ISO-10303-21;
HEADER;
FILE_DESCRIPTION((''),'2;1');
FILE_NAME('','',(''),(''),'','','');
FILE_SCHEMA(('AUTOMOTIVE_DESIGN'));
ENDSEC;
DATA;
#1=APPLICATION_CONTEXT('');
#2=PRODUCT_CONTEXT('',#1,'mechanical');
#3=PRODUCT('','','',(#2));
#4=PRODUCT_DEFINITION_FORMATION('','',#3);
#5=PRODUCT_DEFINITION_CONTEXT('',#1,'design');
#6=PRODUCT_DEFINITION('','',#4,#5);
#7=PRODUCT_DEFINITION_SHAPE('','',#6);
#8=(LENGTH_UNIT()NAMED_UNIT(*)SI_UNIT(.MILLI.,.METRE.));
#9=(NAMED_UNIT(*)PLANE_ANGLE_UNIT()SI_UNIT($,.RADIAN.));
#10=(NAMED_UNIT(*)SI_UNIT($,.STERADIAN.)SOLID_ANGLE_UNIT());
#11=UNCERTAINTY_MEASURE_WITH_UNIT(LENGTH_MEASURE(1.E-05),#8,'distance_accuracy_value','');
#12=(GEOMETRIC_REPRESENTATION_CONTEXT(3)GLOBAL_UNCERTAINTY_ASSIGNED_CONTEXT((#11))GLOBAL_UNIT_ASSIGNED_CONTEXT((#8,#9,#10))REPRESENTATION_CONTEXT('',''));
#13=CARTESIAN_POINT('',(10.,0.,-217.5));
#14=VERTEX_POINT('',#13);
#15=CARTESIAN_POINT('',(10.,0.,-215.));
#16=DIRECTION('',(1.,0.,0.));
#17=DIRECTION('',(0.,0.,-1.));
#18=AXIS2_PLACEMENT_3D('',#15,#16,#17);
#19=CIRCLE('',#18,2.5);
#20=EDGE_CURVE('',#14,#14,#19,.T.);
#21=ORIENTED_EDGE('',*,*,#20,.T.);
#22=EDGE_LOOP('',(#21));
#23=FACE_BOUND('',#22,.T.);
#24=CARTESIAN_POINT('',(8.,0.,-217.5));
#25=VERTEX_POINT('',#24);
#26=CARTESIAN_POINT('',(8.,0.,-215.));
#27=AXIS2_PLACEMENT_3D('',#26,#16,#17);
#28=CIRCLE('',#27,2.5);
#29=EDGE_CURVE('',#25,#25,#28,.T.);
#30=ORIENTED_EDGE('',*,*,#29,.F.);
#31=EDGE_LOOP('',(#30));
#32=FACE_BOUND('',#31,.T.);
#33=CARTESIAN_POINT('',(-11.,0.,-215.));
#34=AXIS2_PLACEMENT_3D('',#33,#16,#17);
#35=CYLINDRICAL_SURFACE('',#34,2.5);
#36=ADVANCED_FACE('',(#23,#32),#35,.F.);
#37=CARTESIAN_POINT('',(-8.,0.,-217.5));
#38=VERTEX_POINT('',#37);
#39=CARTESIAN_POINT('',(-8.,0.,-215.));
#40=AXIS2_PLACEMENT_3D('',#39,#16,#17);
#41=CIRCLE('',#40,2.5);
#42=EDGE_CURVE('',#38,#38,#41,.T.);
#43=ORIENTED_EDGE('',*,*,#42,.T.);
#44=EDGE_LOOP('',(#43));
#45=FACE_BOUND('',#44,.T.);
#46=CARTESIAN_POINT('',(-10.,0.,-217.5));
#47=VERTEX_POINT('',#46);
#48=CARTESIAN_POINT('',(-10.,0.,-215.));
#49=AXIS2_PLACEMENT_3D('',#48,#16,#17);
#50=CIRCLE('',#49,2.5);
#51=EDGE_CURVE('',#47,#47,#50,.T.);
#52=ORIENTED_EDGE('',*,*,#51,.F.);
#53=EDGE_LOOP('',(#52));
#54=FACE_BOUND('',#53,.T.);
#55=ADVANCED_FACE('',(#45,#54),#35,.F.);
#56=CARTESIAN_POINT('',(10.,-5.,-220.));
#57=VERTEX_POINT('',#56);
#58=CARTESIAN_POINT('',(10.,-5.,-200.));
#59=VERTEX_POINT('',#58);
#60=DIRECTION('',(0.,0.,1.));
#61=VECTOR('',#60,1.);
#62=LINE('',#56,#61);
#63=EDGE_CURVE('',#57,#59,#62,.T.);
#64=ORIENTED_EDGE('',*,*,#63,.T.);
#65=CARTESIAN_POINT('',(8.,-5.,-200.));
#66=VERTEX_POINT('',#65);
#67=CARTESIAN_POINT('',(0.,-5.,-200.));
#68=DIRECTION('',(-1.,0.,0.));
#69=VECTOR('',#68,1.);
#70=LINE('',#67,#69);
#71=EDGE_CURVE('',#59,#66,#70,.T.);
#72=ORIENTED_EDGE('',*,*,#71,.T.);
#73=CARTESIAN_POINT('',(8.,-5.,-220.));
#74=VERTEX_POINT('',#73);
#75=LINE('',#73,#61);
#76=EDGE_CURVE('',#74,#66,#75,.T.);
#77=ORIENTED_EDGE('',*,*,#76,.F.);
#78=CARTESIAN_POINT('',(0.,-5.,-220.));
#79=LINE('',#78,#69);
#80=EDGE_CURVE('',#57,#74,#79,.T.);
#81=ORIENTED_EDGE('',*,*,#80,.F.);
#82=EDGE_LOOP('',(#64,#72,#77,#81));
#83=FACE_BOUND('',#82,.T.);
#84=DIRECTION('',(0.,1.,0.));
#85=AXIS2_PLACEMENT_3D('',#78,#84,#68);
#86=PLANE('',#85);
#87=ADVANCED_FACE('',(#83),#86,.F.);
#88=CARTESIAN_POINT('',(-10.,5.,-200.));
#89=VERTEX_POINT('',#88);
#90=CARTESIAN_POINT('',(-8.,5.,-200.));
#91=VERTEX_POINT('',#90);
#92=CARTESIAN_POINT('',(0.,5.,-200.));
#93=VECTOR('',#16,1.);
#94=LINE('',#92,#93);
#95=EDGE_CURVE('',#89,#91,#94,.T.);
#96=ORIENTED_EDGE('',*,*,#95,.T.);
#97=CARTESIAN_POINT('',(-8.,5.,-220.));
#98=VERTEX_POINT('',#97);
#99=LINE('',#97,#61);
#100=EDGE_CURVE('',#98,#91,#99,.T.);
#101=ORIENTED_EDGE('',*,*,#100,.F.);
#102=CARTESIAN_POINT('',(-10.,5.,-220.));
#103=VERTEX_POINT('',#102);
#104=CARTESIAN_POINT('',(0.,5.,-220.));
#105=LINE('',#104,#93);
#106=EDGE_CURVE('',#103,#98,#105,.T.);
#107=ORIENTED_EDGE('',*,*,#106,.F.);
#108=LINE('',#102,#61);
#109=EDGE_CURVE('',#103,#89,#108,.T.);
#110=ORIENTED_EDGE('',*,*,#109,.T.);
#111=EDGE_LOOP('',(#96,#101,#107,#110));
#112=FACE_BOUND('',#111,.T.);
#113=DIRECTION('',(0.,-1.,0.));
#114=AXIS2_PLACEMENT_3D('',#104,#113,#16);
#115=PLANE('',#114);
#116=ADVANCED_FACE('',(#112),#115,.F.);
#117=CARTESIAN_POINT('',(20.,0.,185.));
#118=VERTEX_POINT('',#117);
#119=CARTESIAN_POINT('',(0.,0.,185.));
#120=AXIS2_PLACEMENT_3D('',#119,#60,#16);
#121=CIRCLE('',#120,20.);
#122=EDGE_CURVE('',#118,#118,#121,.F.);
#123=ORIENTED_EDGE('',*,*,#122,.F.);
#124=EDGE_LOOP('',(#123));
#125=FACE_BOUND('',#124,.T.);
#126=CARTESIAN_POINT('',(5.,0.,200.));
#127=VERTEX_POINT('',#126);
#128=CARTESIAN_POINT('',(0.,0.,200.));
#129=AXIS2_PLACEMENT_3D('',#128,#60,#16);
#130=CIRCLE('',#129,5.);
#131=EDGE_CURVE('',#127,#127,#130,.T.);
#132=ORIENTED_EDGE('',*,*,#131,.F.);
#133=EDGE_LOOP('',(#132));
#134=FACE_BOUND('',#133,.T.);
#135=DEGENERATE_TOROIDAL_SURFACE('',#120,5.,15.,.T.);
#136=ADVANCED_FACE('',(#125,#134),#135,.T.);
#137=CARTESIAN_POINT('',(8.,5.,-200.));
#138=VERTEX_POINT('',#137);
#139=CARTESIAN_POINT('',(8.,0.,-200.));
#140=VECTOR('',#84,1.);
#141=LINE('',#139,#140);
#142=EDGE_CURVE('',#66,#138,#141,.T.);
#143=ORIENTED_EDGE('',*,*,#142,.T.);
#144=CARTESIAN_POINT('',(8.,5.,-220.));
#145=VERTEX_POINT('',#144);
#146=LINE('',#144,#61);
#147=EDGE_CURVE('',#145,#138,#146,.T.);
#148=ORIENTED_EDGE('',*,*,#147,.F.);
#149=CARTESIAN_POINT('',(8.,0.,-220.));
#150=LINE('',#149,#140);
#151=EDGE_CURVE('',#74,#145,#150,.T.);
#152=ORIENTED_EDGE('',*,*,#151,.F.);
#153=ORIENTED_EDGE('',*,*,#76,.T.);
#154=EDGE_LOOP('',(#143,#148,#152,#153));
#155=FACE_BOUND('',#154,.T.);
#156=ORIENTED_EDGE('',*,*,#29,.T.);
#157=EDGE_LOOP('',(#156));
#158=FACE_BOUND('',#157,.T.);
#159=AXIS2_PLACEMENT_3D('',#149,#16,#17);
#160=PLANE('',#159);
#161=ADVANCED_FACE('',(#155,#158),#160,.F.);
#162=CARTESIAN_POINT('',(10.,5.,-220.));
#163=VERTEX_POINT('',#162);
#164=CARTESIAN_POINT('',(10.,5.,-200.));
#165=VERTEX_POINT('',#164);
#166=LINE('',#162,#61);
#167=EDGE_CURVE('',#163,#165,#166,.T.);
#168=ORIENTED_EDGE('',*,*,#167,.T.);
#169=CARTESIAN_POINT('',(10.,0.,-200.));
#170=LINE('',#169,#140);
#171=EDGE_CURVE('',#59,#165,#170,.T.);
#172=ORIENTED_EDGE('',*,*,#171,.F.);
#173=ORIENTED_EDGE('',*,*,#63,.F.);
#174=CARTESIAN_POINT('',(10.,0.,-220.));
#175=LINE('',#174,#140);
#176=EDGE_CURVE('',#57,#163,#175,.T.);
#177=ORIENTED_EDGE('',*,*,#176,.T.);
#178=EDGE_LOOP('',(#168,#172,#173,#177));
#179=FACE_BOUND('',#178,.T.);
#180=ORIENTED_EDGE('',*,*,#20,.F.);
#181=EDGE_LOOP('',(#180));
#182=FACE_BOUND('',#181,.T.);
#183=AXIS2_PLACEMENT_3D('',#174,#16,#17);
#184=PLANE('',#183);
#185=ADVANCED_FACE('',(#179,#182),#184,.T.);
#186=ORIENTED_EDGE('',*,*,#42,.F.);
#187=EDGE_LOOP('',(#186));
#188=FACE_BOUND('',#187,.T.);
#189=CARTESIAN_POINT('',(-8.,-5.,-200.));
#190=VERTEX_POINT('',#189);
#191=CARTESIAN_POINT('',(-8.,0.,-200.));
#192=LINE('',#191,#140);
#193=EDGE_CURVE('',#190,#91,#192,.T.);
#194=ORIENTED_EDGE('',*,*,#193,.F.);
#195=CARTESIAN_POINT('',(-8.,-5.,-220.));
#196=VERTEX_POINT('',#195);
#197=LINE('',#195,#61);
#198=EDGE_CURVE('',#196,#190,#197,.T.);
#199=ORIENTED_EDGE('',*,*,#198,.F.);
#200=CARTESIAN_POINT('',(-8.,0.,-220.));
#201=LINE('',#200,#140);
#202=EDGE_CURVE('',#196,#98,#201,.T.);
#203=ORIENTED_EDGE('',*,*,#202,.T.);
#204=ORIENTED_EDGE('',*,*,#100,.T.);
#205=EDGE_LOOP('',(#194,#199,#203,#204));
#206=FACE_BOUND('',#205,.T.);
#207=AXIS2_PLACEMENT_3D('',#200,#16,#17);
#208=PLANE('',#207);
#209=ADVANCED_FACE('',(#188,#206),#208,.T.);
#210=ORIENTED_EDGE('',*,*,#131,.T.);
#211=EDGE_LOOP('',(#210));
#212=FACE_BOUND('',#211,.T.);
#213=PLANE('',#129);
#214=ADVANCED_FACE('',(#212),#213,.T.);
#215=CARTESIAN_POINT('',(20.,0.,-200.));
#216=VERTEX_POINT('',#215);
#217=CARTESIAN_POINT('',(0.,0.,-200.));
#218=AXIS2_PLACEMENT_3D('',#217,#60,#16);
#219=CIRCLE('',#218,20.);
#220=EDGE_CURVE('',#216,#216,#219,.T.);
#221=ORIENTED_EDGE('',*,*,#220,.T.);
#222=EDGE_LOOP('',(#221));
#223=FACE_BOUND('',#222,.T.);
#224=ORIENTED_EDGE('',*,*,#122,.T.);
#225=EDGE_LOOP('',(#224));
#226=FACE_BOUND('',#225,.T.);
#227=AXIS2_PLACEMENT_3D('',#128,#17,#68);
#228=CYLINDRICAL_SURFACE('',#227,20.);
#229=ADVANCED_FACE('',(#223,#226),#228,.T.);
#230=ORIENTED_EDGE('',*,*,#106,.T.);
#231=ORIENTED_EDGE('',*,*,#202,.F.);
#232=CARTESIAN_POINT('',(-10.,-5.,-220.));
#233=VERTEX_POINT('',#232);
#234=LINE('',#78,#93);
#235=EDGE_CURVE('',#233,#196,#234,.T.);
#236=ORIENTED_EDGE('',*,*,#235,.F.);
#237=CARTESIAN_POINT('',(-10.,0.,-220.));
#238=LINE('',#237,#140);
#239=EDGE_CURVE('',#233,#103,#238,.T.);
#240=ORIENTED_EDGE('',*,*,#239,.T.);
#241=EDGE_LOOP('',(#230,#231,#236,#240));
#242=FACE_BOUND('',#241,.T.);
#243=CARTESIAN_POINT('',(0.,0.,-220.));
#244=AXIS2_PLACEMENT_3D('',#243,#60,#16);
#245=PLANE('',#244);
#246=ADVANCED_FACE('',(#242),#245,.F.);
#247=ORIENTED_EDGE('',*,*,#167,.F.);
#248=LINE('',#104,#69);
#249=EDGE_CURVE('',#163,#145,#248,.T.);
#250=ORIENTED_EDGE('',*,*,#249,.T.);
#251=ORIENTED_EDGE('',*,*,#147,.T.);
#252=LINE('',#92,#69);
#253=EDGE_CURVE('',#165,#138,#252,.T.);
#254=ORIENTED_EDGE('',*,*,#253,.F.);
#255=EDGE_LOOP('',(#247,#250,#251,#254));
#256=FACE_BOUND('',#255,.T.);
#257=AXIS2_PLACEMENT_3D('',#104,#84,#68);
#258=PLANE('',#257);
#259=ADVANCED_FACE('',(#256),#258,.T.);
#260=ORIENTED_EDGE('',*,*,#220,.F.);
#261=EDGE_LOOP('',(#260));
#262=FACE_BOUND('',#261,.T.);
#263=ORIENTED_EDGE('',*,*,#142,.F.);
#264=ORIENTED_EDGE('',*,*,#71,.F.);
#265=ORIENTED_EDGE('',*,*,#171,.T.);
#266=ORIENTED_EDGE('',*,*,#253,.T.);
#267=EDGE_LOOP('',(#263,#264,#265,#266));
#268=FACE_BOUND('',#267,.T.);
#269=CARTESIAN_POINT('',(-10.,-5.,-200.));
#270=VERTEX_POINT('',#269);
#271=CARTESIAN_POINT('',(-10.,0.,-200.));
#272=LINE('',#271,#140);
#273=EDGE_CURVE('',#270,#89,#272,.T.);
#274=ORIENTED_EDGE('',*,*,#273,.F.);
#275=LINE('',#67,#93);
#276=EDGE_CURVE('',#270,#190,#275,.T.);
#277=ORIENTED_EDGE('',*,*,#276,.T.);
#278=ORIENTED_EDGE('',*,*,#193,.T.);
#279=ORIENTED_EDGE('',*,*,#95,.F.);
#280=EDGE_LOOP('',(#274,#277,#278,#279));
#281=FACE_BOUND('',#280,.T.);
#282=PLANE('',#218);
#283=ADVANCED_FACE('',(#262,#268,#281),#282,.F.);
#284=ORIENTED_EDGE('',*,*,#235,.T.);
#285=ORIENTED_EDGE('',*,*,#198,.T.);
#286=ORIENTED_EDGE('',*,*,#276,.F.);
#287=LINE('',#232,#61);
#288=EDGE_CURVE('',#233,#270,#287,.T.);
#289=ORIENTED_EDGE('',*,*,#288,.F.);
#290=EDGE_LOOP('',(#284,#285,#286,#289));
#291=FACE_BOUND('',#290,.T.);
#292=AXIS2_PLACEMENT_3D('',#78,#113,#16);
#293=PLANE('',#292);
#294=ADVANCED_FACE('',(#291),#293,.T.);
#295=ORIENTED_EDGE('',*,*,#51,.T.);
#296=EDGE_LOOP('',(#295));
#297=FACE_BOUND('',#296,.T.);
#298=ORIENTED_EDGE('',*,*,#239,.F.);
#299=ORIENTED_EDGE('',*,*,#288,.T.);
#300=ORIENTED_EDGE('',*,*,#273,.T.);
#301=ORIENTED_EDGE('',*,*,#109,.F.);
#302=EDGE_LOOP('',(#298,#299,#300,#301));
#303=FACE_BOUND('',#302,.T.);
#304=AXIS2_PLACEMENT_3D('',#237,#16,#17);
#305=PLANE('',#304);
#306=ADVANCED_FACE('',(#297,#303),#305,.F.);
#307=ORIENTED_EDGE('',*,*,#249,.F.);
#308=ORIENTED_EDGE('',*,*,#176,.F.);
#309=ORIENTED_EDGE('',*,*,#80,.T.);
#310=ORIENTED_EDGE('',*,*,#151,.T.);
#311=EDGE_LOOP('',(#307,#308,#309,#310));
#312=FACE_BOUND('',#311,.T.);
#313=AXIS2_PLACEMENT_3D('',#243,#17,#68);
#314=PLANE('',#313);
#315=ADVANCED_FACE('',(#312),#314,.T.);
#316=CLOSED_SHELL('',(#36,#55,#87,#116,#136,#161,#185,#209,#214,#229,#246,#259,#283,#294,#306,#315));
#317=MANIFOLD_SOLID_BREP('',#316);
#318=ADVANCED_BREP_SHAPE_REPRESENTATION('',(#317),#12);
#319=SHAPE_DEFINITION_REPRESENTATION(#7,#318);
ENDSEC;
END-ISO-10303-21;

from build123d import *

# Parameters (mm, degrees)
SKETCH1_R           = 20
BOSS_EXTRUDE1_DEPTH = 200
FILLET2_R           = 15
BOSS_EXTRUDE2_START = -200
SKETCH2_W           = 2
SKETCH2_H           = 10
BOSS_EXTRUDE2_DEPTH = 20
SKETCH3_R           = 2.5
CUT_EXTRUDE1_DEPTH  = 11


with BuildPart() as part:
    # Sketch1 → Boss-Extrude1 (new, symmetric)
    with BuildSketch(Plane.XY):
        Circle(SKETCH1_R)
    extrude(amount=BOSS_EXTRUDE1_DEPTH, both=True)

    # Fillet2
    fillet2_edges = [part.edges().sort_by_distance(p)[0] for p in [
        (-20, 0, 200),
    ]]
    fillet(fillet2_edges, radius=FILLET2_R)

    # Sketch2 → Boss-Extrude2 (add)
    with BuildSketch(Plane.XY.offset(BOSS_EXTRUDE2_START)):
        with Locations((-9, 0)):
            Rectangle(SKETCH2_W, SKETCH2_H)
        with Locations((9, 0)):
            Rectangle(SKETCH2_W, SKETCH2_H)
    extrude(amount=-BOSS_EXTRUDE2_DEPTH)

    # Sketch3 → Cut-Extrude1 (cut, symmetric)
    with BuildSketch(Plane(origin=(0, 0, 0), x_dir=(0, 0, -1), z_dir=(1, 0, 0))):
        with Locations((215, 0)):
            Circle(SKETCH3_R)
    extrude(amount=CUT_EXTRUDE1_DEPTH, both=True, mode=Mode.SUBTRACT)


solid = part.part
